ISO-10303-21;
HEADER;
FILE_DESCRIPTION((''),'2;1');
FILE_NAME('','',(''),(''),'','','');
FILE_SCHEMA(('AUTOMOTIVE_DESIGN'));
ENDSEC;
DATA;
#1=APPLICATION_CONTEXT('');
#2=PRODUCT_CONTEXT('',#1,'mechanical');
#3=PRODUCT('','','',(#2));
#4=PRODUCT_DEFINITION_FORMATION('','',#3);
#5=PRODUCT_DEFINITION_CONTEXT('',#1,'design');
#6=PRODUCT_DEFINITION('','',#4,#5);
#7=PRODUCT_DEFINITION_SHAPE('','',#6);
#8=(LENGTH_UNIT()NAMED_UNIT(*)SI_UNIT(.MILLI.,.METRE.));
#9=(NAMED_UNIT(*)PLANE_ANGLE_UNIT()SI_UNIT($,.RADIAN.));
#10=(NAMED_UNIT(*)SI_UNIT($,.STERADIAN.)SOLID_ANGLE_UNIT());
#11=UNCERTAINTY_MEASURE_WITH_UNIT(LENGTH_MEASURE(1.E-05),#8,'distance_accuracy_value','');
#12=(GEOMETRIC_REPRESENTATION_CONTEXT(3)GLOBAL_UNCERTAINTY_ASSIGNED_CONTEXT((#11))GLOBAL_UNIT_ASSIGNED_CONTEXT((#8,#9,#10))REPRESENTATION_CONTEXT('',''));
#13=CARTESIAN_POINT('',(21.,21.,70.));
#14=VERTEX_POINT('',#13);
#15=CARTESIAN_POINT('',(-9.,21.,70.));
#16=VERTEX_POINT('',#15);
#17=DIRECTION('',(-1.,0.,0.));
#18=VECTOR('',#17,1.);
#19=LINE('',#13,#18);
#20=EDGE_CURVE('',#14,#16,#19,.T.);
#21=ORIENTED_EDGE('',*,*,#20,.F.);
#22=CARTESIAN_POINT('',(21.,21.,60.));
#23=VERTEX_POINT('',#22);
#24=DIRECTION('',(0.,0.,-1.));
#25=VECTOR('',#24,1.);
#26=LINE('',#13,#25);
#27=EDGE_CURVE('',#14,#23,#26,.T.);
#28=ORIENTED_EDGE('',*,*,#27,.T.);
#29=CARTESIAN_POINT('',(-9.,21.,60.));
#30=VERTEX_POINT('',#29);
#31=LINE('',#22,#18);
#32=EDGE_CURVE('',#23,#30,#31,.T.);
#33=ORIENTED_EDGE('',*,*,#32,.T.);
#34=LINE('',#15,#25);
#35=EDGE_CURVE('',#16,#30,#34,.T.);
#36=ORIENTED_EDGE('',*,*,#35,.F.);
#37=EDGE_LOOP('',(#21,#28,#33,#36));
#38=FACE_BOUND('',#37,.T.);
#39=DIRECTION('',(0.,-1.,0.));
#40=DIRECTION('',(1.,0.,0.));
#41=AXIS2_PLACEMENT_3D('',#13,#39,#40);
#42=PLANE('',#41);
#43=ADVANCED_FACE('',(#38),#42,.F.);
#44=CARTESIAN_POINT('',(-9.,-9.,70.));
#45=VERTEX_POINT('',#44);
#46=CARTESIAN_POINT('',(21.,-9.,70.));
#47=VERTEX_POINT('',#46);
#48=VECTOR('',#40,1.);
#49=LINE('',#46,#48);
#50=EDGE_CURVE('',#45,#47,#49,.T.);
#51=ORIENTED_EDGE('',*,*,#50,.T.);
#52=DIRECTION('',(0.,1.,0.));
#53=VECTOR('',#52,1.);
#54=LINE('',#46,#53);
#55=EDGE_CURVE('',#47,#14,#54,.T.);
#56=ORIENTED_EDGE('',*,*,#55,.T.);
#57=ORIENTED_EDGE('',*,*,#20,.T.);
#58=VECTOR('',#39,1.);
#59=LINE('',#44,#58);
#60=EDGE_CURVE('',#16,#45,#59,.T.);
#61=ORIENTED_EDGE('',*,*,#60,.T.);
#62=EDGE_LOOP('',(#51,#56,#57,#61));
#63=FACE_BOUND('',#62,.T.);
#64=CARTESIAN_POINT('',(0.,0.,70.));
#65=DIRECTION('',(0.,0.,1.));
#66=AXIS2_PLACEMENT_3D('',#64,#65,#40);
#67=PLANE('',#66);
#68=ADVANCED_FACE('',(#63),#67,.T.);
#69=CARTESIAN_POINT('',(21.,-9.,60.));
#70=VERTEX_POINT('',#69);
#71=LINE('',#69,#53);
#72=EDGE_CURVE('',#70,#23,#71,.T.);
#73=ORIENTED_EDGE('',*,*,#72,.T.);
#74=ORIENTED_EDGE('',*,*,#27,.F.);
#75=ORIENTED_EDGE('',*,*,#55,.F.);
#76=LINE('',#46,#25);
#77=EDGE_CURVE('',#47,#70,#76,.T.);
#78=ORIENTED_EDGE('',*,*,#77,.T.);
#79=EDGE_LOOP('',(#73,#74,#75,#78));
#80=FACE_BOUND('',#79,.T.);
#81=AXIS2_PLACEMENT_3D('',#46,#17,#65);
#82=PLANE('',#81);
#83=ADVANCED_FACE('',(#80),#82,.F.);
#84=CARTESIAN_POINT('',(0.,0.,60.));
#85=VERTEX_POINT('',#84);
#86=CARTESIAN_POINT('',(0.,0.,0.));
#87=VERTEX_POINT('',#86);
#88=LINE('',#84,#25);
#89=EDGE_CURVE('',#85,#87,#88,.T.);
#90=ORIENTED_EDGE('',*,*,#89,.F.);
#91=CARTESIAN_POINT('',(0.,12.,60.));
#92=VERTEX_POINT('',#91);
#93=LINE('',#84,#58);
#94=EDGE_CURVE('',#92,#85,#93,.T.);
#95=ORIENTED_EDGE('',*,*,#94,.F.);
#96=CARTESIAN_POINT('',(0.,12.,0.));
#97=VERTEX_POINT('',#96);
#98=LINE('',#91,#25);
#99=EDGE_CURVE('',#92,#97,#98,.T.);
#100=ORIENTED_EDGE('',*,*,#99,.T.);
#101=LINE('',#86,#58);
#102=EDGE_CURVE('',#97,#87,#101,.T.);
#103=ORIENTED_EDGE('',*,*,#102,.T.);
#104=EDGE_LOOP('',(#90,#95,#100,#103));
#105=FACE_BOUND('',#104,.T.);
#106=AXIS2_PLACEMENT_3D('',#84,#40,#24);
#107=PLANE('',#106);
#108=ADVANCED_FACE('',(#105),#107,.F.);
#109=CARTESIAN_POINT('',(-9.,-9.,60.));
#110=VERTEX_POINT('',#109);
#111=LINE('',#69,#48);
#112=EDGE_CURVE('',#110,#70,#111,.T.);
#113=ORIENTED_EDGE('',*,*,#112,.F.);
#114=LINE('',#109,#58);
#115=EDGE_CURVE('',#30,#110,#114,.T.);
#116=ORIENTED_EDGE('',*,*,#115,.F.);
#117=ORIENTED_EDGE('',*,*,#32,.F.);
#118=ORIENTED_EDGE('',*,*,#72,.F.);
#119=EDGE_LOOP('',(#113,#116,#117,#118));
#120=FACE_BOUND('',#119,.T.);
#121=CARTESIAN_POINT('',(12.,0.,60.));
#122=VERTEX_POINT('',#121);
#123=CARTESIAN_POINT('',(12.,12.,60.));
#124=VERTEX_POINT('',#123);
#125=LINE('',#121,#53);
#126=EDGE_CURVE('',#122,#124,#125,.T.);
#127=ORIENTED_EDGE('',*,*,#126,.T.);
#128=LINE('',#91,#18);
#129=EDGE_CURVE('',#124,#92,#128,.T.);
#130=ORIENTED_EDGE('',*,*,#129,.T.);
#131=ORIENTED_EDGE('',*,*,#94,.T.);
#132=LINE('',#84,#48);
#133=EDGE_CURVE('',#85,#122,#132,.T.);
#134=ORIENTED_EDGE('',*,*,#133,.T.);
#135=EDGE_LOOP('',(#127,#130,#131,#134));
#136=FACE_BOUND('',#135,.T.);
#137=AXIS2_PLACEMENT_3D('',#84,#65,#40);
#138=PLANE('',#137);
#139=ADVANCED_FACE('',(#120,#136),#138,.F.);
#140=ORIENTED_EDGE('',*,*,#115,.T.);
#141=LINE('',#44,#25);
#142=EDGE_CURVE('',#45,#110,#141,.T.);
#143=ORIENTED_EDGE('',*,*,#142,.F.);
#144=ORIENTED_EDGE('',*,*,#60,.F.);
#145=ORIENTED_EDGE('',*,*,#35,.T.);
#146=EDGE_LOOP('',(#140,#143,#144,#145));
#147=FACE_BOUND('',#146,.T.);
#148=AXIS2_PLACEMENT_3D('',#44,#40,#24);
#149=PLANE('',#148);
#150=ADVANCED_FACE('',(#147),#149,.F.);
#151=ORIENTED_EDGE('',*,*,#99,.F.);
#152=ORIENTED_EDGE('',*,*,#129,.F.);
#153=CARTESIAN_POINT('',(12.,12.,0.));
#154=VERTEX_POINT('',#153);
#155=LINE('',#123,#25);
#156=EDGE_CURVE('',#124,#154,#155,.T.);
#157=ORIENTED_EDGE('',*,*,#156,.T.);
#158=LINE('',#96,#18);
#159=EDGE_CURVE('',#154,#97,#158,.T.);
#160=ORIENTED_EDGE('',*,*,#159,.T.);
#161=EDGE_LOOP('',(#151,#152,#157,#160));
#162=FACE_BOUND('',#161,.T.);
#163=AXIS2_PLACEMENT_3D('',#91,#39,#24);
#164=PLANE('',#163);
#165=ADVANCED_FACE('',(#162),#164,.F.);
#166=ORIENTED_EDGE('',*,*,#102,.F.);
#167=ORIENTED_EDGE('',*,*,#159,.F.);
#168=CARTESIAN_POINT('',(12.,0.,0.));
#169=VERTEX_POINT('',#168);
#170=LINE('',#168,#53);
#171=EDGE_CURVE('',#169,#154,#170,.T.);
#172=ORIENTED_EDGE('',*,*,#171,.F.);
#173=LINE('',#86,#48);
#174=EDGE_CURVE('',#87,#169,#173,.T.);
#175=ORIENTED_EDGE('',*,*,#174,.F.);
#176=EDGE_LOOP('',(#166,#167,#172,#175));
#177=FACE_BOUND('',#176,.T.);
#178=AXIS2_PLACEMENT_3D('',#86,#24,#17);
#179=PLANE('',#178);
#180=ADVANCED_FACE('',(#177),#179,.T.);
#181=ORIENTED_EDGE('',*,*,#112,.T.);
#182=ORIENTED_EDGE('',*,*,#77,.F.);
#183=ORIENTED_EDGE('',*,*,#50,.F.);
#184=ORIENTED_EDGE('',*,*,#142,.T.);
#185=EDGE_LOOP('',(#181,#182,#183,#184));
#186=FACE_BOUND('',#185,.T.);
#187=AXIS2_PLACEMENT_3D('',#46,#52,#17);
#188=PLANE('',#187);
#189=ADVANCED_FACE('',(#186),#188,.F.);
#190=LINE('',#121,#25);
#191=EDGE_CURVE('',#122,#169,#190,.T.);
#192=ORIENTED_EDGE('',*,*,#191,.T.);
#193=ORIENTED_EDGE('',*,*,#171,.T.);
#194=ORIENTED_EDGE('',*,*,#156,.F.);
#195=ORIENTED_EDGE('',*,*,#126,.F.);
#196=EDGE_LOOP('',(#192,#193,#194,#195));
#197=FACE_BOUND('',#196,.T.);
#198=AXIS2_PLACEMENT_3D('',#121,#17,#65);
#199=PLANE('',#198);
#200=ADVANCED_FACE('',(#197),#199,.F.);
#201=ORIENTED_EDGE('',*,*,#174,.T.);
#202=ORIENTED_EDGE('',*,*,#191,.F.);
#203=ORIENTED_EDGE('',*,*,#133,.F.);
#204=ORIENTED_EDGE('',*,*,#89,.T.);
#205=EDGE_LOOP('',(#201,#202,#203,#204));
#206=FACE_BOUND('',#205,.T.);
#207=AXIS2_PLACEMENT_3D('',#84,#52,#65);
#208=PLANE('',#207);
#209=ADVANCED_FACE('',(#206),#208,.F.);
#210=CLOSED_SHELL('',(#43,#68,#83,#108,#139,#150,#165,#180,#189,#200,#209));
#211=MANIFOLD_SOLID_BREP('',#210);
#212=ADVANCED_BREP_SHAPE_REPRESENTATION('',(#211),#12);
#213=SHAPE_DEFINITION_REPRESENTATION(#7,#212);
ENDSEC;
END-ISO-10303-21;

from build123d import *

# Parameters (mm, degrees)
SKETCH1_W           = 12
SKETCH1_H           = 12
BOSS_EXTRUDE1_DEPTH = 60
SKETCH2_W           = 30
SKETCH2_H           = 30
BOSS_EXTRUDE2_DEPTH = 10


with BuildPart() as part:
    # Sketch1 → Boss-Extrude1 (new body)
    with BuildSketch(Plane.XY):
        with Locations((6, 6)):
            Rectangle(SKETCH1_W, SKETCH1_H)
    extrude(amount=BOSS_EXTRUDE1_DEPTH)

    # Sketch2 → Boss-Extrude2 (add)
    with BuildSketch(Plane.XY.offset(60)):
        with Locations((6, 6)):
            Rectangle(SKETCH2_W, SKETCH2_H)
    extrude(amount=BOSS_EXTRUDE2_DEPTH)


solid = part.part
